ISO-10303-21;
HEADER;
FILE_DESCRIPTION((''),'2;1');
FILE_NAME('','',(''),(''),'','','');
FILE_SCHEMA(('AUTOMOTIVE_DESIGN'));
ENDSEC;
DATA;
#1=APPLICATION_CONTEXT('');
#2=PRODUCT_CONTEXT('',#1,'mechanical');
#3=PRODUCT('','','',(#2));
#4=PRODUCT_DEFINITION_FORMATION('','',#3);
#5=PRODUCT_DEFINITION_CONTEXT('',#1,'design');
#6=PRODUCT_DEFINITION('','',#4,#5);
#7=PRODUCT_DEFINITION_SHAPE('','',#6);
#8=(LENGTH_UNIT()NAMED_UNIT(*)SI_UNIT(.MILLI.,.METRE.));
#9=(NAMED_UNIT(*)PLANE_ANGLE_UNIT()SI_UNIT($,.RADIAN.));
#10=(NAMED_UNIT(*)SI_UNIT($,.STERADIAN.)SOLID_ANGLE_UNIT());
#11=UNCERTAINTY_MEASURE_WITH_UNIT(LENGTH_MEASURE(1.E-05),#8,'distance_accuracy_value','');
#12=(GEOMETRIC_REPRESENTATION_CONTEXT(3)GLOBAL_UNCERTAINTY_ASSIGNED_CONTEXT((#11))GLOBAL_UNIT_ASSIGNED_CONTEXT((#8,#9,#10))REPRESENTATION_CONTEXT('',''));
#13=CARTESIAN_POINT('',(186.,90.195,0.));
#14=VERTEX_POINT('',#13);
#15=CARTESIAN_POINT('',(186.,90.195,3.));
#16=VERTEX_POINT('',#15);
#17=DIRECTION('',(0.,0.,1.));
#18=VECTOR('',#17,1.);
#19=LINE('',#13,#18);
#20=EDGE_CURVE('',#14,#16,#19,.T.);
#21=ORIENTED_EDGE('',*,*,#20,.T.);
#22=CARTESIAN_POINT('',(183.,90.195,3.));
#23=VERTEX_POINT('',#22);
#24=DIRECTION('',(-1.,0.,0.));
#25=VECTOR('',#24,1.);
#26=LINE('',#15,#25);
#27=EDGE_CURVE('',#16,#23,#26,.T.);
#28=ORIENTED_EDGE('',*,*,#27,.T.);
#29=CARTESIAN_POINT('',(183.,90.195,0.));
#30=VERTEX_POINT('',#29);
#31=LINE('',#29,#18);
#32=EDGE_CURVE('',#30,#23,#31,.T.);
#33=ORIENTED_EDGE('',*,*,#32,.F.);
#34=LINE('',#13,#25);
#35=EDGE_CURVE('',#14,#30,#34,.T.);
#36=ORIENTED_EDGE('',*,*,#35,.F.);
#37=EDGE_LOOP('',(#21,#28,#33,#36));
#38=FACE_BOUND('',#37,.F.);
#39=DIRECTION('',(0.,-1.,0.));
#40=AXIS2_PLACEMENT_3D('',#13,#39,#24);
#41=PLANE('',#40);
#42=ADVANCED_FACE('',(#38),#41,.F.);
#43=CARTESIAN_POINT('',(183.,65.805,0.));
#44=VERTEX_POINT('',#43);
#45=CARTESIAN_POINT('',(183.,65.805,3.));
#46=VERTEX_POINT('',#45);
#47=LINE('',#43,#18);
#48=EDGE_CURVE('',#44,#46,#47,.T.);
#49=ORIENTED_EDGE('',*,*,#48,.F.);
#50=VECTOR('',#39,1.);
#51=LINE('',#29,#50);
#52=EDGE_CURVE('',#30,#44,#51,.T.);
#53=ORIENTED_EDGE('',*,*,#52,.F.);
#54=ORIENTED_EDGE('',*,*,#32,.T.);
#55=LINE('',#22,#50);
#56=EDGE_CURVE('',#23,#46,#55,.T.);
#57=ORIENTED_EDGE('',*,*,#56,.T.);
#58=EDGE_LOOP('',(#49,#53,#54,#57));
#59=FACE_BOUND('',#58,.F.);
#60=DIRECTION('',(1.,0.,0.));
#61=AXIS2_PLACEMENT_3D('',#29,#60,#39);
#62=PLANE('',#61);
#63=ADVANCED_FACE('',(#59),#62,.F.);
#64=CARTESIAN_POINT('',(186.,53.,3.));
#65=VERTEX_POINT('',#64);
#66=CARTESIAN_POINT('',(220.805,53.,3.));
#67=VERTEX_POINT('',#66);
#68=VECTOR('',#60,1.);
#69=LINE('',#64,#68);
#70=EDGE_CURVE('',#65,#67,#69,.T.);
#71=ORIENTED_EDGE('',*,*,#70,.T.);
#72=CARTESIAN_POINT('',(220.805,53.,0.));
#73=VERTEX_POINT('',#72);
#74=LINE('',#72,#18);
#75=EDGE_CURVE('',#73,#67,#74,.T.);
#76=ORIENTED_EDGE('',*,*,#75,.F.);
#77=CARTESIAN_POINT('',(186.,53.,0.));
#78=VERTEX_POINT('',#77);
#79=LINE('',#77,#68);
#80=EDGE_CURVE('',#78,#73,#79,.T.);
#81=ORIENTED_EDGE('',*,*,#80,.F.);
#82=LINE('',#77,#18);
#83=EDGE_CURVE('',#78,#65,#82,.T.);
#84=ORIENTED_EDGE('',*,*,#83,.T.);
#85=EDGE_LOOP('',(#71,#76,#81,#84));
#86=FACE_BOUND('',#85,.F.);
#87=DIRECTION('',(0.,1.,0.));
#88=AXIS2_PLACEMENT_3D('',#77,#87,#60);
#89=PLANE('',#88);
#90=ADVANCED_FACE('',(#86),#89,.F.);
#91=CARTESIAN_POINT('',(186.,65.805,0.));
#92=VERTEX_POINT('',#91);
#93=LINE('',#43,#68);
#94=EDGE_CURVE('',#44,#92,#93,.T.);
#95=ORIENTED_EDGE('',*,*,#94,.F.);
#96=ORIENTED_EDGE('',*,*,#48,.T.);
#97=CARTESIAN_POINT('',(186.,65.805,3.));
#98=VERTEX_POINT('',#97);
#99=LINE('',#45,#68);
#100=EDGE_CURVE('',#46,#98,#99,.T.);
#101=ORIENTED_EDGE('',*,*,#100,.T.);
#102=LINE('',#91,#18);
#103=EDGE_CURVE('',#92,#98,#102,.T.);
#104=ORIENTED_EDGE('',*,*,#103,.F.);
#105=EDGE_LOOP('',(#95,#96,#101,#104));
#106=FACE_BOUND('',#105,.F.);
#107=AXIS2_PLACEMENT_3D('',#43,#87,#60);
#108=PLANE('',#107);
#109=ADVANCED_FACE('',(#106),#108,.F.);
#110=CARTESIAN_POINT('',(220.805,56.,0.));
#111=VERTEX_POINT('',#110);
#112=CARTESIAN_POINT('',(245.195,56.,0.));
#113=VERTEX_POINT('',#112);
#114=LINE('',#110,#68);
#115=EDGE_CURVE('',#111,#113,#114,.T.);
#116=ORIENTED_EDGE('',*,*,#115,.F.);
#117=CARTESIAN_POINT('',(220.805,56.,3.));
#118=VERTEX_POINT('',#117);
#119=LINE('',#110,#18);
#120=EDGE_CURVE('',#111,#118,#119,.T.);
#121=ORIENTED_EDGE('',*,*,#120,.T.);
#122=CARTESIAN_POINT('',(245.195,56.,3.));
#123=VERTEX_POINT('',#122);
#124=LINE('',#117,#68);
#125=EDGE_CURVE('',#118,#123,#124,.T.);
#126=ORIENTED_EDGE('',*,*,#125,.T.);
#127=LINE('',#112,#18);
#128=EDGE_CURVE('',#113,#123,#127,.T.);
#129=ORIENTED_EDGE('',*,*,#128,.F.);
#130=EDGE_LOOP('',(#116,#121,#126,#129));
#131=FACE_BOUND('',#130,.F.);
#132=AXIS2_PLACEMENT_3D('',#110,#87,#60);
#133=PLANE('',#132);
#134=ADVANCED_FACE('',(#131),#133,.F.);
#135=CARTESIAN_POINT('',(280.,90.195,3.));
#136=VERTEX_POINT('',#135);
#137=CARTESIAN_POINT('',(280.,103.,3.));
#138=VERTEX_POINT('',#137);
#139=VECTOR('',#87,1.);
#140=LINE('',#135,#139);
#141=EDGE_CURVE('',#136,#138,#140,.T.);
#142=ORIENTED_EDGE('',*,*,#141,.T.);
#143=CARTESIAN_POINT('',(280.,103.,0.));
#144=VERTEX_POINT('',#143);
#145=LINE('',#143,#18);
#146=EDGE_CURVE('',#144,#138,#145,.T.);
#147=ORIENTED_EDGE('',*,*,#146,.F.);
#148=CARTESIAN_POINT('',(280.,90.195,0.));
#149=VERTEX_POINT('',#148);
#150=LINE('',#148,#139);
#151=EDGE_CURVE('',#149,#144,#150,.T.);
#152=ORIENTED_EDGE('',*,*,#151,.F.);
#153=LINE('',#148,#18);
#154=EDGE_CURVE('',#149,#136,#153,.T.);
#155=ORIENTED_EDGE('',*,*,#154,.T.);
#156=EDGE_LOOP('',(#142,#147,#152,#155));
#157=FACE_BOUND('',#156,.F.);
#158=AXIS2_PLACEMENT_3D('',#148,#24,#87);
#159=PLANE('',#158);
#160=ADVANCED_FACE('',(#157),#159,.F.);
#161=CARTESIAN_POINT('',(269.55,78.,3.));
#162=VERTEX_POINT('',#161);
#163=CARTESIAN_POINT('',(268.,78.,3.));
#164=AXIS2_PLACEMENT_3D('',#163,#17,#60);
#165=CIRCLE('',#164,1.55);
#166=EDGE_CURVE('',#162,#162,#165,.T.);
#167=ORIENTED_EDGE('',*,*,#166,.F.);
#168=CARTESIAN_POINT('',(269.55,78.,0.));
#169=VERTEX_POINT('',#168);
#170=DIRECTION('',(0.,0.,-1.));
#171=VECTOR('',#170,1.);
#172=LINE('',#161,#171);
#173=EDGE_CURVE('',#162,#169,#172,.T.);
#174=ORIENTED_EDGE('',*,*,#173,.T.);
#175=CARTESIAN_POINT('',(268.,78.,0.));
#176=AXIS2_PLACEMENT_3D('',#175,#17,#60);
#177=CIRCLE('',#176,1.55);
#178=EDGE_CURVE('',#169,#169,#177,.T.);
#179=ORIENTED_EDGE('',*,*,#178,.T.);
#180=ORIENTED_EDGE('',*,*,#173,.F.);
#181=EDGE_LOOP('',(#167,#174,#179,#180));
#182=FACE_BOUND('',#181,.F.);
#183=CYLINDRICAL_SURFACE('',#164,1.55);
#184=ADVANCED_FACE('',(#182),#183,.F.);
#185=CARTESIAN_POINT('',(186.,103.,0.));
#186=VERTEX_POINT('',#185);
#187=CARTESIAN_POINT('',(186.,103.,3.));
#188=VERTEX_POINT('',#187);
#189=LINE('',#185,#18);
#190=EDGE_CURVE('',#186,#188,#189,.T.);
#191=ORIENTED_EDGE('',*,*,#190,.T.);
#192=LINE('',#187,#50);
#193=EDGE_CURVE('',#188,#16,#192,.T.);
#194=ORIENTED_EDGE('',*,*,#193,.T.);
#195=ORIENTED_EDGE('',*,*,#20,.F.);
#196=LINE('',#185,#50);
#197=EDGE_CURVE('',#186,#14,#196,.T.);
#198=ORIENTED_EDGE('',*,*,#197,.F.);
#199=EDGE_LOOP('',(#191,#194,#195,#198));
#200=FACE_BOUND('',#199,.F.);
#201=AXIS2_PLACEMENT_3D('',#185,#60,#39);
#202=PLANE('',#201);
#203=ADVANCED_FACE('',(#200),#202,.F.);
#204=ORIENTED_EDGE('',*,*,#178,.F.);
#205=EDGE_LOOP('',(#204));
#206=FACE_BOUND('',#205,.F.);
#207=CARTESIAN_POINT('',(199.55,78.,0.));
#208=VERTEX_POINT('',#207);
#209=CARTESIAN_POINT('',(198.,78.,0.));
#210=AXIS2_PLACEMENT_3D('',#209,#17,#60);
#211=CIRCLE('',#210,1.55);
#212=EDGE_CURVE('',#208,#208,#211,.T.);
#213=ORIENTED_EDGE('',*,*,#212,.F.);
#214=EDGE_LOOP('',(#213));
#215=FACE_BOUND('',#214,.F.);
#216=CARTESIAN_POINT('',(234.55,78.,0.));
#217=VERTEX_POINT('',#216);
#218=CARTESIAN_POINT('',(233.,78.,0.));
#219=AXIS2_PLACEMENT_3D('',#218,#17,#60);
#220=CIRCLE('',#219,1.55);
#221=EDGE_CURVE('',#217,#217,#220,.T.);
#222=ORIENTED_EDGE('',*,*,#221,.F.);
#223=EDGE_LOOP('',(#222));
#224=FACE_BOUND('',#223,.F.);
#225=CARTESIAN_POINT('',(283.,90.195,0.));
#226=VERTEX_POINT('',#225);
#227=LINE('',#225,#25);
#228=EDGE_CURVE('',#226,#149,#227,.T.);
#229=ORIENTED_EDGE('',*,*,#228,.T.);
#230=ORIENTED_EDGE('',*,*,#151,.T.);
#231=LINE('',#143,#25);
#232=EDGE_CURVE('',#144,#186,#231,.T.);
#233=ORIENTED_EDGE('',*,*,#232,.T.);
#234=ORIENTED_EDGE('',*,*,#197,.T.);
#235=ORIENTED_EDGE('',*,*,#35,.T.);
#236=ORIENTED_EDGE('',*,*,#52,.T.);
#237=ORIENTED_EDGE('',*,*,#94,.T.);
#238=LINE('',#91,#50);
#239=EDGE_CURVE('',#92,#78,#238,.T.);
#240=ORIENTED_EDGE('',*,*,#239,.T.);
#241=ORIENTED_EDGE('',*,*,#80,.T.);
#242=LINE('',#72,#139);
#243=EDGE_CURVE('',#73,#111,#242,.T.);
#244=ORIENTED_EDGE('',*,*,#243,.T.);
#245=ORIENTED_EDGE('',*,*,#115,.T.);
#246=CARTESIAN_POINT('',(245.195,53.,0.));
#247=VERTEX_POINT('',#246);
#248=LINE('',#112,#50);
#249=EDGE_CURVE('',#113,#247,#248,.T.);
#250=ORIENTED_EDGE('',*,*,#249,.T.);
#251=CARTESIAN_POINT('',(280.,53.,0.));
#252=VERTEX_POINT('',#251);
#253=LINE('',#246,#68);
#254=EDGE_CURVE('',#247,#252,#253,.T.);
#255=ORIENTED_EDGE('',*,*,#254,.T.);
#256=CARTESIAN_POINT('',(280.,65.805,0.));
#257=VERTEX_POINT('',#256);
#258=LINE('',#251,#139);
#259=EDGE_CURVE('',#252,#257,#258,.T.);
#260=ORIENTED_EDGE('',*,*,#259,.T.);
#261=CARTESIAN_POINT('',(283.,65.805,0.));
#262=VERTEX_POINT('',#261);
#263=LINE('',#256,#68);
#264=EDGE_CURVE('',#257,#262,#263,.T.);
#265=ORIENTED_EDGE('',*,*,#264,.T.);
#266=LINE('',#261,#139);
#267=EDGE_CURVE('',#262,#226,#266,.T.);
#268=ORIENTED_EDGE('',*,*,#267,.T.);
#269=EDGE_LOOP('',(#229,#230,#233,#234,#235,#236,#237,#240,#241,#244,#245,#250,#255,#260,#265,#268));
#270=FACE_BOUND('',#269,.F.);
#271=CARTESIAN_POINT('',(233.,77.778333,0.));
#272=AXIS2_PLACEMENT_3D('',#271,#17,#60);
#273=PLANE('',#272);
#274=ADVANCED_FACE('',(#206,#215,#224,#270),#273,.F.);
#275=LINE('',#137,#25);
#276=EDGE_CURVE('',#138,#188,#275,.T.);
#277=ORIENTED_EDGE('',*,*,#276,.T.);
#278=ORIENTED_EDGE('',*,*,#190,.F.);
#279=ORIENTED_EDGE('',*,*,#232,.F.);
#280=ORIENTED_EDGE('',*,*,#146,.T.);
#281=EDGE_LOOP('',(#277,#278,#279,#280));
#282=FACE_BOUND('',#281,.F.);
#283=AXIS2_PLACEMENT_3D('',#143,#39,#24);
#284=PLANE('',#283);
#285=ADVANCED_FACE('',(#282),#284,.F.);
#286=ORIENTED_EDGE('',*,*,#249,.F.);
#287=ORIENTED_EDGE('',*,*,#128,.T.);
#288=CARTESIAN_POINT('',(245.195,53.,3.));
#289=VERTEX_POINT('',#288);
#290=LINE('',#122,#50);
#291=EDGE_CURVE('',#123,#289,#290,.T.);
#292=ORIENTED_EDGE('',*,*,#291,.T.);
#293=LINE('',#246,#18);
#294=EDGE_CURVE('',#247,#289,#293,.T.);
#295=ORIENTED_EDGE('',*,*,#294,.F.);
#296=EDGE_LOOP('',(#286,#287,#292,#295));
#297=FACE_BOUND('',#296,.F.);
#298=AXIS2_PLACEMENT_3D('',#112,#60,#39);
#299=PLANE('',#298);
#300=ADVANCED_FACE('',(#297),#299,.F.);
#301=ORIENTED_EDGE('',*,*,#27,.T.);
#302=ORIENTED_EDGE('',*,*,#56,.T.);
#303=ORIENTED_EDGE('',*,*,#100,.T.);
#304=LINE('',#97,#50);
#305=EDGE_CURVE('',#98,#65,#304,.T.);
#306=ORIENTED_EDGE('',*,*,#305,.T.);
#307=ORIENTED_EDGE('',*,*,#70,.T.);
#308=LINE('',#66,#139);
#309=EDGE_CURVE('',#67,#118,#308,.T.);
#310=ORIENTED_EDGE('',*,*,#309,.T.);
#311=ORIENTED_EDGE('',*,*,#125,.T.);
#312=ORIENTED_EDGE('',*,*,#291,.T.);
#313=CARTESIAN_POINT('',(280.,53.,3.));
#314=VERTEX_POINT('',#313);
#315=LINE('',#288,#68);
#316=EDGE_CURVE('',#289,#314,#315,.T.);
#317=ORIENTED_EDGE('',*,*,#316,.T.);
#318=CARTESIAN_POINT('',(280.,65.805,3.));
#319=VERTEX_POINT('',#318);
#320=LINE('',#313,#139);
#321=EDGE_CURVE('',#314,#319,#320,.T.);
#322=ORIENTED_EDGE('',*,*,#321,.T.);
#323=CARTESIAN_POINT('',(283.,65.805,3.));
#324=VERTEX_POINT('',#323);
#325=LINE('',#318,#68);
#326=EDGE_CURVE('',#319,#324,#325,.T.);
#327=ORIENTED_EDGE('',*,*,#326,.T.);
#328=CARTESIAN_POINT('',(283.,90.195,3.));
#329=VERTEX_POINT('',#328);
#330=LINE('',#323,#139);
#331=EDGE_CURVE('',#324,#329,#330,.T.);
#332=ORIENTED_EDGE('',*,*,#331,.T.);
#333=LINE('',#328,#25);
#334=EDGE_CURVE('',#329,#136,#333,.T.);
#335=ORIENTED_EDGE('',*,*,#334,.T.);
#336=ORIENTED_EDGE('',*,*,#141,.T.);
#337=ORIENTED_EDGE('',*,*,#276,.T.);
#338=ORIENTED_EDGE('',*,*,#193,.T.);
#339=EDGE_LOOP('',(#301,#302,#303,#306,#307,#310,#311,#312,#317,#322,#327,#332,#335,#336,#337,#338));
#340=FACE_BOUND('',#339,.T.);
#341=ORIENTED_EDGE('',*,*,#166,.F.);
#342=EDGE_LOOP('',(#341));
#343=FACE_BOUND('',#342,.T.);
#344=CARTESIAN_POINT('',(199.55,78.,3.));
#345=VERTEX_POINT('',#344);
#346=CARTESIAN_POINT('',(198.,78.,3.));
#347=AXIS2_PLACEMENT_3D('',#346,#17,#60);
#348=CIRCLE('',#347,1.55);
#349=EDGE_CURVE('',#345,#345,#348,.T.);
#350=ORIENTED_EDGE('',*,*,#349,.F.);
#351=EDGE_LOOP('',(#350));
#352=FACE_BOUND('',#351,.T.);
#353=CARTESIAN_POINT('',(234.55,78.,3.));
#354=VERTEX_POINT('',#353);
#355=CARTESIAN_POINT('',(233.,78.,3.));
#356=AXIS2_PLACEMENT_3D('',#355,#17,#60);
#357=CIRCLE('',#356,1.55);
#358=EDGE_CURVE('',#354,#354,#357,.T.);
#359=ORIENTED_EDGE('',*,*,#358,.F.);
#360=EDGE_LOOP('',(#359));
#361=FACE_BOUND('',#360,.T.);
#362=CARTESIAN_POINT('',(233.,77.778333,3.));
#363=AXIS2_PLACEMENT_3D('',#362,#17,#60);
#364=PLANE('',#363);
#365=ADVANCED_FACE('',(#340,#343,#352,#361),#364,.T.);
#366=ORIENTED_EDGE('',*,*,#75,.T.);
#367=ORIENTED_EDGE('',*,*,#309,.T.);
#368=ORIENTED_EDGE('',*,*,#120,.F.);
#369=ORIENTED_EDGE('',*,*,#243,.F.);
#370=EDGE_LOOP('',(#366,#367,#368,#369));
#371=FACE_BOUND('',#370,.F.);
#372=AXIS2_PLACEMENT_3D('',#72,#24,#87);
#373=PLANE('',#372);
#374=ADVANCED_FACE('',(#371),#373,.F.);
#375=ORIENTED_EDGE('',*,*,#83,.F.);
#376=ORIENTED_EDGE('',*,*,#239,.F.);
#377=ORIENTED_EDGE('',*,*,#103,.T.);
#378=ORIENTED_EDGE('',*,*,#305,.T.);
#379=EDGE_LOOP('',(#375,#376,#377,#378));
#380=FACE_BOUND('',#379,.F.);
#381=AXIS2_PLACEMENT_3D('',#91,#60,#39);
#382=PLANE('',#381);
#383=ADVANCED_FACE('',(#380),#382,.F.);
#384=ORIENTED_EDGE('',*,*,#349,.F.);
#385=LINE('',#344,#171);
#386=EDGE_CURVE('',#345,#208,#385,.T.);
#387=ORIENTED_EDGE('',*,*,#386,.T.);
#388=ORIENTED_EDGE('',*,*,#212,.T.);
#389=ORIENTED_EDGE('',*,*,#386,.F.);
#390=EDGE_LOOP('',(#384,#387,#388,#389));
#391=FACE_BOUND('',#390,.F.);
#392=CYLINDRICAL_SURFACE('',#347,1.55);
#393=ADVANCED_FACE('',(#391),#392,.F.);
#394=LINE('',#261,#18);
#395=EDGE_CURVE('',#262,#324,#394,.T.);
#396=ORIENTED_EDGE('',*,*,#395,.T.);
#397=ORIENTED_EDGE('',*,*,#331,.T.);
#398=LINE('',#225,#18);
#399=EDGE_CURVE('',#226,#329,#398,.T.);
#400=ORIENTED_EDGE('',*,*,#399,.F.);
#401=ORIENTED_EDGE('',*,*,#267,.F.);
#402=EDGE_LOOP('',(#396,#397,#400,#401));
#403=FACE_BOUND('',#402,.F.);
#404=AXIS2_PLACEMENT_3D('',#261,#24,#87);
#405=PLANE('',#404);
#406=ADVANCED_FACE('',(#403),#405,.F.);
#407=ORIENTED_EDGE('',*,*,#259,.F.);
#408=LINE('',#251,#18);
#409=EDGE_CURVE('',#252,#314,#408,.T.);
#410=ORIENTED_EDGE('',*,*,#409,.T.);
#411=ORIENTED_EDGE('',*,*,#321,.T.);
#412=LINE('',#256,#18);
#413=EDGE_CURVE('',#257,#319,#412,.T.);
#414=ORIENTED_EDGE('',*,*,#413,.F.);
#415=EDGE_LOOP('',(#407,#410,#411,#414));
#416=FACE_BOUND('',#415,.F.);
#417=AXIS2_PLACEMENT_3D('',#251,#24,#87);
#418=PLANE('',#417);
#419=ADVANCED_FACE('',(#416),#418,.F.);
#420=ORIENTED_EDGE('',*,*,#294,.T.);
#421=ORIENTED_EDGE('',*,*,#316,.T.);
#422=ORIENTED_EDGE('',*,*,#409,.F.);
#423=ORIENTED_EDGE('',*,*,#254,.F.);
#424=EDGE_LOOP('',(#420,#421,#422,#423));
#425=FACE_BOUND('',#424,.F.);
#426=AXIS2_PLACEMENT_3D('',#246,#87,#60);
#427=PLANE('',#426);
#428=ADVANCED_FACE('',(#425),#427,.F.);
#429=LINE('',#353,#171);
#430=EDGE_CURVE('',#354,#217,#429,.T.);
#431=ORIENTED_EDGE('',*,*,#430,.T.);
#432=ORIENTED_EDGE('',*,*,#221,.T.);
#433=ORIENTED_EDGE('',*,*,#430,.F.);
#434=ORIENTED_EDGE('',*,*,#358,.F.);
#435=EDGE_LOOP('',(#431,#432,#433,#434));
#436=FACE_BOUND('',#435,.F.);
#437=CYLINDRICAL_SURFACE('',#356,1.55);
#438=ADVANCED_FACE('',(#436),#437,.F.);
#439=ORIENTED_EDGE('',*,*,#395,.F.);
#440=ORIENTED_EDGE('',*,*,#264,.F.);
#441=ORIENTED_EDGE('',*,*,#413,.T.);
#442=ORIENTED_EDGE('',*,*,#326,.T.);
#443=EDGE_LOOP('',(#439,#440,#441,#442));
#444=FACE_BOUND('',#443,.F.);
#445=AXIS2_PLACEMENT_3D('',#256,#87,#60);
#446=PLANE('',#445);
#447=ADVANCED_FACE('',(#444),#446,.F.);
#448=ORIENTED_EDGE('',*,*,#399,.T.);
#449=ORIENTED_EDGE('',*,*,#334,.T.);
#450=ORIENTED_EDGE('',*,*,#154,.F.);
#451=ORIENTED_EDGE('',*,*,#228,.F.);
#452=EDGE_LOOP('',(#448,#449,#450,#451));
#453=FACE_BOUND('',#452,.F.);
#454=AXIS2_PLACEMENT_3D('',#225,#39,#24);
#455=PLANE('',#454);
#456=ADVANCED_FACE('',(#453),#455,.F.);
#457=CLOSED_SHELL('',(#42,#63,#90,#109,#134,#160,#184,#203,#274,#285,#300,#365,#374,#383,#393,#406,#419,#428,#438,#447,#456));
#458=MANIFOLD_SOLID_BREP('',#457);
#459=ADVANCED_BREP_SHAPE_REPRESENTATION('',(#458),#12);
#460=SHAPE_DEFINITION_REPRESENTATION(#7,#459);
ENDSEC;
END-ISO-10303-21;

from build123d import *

# Parameters (mm, degrees)
SALIENTE_EXTRUIR1_DEPTH = 3
CROQUIS1_R              = 1.55
CORTAR_EXTRUIR1_DEPTH   = 10


with BuildPart() as part:
    # Model → Saliente-Extruir1 (new body)
    with BuildSketch(Plane.XY):
        Polygon((186, 103), (186, 90.195), (183, 90.195), (183, 65.805), (186, 65.805), (186, 53), (220.805, 53), (220.805, 56), (245.195, 56), (245.195, 53), (269.585, 53), (280, 53), (280, 65.805), (283, 65.805), (283, 90.195), (280, 90.195), (280, 103), align=None)
    extrude(amount=SALIENTE_EXTRUIR1_DEPTH)

    # Croquis1 → Cortar-Extruir1 (cut)
    with BuildSketch(Plane.XY.offset(3)):
        with Locations((233, 78)):
            Circle(CROQUIS1_R)
        with Locations((198, 78)):
            Circle(CROQUIS1_R)
        with Locations((268, 78)):
            Circle(CROQUIS1_R)
    extrude(amount=-CORTAR_EXTRUIR1_DEPTH, mode=Mode.SUBTRACT)


solid = part.part
